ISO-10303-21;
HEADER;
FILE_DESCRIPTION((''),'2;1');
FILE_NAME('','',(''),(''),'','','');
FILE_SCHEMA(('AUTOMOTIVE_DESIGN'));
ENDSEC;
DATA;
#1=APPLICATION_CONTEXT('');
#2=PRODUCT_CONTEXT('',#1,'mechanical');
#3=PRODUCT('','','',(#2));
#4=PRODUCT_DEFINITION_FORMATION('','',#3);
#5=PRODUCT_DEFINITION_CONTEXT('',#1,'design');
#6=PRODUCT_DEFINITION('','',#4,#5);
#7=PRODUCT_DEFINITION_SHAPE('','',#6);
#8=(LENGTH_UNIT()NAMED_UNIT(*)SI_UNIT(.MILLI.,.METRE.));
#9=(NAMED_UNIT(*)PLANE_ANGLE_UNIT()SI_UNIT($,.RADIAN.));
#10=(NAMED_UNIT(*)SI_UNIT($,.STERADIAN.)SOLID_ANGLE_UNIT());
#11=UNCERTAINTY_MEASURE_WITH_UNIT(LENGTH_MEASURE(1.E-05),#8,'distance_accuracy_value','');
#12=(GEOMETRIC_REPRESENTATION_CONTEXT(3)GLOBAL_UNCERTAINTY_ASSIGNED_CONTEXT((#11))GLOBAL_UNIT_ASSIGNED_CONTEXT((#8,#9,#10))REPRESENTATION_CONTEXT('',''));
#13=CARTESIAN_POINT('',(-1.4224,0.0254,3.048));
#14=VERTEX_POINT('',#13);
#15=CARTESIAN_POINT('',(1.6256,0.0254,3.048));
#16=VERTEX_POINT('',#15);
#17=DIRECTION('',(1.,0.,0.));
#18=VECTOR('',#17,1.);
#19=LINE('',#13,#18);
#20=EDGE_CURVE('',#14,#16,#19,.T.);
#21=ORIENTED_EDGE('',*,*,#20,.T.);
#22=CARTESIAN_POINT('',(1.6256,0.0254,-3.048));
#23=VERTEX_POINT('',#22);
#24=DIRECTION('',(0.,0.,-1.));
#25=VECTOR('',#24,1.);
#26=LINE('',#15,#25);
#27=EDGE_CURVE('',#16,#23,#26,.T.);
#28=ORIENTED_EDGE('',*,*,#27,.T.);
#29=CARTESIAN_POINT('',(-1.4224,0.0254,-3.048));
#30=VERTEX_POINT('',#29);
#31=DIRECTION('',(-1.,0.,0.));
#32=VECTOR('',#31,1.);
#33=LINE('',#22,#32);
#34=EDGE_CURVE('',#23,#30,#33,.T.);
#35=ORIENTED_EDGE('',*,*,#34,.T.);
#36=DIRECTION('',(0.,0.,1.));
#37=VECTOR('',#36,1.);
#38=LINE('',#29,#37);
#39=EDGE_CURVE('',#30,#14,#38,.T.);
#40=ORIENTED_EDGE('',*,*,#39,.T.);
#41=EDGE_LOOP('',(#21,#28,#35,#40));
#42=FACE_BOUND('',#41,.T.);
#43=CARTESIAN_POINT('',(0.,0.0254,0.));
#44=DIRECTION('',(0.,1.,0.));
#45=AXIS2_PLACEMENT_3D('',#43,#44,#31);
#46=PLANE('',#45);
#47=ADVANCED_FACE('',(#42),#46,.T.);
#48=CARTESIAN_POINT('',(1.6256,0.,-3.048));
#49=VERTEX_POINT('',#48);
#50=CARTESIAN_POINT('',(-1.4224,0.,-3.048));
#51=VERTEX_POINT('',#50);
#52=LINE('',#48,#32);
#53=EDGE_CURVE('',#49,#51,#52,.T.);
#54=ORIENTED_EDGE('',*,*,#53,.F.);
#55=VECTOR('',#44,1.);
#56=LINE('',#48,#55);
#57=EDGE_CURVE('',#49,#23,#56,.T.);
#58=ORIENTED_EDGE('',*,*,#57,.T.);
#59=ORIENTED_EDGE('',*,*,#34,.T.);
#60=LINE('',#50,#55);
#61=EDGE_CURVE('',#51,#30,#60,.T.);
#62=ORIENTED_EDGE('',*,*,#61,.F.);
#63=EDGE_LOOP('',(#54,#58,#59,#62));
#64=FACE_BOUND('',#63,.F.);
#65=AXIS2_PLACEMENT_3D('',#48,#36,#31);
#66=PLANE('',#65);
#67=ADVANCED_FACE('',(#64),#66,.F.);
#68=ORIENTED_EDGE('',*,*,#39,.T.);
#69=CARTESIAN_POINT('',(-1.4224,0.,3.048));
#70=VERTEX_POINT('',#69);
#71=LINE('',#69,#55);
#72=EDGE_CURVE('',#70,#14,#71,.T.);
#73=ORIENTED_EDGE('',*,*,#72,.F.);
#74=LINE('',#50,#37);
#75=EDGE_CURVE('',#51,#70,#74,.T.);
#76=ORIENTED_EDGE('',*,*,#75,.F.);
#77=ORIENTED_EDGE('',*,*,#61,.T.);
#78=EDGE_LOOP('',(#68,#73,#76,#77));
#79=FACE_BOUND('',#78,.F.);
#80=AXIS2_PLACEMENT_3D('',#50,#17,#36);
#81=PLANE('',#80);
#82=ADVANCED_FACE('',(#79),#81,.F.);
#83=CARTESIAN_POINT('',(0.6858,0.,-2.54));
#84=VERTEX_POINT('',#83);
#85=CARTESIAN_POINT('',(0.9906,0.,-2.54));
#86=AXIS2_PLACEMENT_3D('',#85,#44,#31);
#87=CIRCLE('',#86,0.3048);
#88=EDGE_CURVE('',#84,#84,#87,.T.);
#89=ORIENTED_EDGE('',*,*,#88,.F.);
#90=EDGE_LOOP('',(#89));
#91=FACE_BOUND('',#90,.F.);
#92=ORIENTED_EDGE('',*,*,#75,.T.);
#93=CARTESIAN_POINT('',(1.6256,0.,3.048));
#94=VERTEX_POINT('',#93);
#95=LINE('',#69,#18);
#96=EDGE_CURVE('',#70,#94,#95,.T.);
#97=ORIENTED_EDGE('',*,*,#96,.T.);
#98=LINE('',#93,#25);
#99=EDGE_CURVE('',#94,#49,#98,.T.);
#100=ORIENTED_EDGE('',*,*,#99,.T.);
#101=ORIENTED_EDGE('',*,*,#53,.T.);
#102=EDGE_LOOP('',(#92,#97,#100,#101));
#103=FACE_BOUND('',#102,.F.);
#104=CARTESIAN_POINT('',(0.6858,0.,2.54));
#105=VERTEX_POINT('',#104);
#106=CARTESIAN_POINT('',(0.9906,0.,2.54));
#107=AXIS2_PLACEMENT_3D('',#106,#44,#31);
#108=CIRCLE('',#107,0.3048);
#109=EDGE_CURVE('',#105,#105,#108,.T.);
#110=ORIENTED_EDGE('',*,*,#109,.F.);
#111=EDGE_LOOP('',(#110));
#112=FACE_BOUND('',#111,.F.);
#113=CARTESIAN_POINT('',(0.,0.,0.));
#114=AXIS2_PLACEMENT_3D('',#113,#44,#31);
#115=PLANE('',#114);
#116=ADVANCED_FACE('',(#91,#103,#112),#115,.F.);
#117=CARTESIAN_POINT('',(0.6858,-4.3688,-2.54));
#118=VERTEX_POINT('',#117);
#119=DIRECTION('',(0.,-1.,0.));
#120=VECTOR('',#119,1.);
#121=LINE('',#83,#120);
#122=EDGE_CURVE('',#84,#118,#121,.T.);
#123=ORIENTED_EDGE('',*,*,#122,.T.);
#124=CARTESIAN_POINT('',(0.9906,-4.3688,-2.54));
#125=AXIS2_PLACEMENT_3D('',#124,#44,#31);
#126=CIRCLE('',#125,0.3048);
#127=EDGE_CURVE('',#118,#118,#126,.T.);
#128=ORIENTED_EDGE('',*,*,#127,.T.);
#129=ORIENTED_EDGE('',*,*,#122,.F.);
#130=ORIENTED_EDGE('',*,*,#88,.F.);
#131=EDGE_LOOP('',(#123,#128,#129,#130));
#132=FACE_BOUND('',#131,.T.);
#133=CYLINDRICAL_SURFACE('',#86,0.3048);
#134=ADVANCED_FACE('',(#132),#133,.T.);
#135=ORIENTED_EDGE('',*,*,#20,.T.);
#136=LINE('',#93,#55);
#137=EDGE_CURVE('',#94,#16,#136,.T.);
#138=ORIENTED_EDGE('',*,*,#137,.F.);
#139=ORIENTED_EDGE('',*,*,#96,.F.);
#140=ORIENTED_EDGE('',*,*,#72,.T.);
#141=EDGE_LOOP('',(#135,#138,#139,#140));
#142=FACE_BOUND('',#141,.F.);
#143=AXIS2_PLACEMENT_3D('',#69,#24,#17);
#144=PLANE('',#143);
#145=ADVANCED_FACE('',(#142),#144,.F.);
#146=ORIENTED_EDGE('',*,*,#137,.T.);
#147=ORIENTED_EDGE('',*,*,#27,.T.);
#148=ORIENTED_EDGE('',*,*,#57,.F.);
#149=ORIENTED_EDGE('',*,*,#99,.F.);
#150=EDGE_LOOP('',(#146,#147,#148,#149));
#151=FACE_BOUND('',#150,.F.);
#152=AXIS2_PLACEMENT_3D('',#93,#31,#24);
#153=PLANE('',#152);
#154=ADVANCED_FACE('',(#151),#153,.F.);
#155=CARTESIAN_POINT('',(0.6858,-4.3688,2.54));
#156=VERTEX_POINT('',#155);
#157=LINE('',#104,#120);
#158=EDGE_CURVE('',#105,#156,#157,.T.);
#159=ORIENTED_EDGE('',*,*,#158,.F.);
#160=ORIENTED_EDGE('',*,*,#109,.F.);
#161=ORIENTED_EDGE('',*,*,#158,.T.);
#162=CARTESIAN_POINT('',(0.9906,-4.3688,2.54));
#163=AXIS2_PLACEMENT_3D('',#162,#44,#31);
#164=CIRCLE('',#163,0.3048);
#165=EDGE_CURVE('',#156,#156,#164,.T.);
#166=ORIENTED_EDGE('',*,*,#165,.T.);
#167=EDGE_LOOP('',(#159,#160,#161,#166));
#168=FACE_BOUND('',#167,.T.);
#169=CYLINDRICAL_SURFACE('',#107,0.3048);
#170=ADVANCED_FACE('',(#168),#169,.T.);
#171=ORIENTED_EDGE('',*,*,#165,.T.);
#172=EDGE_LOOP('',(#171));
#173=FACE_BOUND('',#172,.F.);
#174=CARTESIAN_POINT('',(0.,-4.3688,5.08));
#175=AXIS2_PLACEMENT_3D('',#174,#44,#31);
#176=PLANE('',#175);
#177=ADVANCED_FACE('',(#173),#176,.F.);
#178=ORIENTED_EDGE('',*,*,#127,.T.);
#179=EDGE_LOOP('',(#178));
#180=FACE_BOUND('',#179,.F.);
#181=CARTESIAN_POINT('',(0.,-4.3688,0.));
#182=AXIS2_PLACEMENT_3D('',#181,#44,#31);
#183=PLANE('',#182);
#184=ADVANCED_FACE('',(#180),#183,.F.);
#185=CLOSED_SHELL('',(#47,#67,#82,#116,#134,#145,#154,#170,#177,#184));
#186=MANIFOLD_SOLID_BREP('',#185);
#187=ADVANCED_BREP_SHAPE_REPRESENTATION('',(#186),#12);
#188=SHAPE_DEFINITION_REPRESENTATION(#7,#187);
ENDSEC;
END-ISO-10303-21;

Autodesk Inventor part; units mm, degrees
sketch "Sketch_1" plane through (0, 0, 0) normal (0, 1, 0) x (-1, 0, 0)
  line L0 (1.4224, 3.048) -> (-1.6256, 3.048)
  line L1 (-1.6256, 3.048) -> (-1.6256, -3.048)
  line L2 (-1.6256, -3.048) -> (1.4224, -3.048)
  line L3 (1.4224, -3.048) -> (1.4224, 3.048)
extrude "Extrusion1" add sketch "Sketch_1" along normal blind 0.0254
sketch "Sketch_2" plane through (0, 0, 0) normal (0, 1, 0) x (-1, 0, 0)
  circle A0 centre (-0.9906, -2.54) radius 0.3048
extrude "Extrusion2" add sketch "Sketch_2" against normal blind 4.3688
pattern_linear "Rectangular Pattern1" count 2 spacing 5.08 along (0, 0, 1) of "Extrusion2"
ref_plane "to_body_XY" through (0, 0, 0) normal (0, -1, 0) x (1, 0, 0)
ref_plane "to_body_YZ" through (0, 0, 0) normal (1, 0, 0) x (0, 0, 1)
ref_plane "to_body_ZX" through (0, 0, 0) normal (0, 0, 1) x (0, -1, 0)
ref_plane "to_body1_XY" through (0, -0.1016, 0.0254) normal (0, -1, 0) x (1, 0, 0)
ref_plane "to_body1_YZ" through (0, -0.1016, 0.0254) normal (1, 0, 0) x (0, 0, 1)
ref_plane "to_body1_ZX" through (0, -0.1016, 0.0254) normal (0, 0, 1) x (0, -1, 0)
properties part number "A11P-toggle-terminals"
